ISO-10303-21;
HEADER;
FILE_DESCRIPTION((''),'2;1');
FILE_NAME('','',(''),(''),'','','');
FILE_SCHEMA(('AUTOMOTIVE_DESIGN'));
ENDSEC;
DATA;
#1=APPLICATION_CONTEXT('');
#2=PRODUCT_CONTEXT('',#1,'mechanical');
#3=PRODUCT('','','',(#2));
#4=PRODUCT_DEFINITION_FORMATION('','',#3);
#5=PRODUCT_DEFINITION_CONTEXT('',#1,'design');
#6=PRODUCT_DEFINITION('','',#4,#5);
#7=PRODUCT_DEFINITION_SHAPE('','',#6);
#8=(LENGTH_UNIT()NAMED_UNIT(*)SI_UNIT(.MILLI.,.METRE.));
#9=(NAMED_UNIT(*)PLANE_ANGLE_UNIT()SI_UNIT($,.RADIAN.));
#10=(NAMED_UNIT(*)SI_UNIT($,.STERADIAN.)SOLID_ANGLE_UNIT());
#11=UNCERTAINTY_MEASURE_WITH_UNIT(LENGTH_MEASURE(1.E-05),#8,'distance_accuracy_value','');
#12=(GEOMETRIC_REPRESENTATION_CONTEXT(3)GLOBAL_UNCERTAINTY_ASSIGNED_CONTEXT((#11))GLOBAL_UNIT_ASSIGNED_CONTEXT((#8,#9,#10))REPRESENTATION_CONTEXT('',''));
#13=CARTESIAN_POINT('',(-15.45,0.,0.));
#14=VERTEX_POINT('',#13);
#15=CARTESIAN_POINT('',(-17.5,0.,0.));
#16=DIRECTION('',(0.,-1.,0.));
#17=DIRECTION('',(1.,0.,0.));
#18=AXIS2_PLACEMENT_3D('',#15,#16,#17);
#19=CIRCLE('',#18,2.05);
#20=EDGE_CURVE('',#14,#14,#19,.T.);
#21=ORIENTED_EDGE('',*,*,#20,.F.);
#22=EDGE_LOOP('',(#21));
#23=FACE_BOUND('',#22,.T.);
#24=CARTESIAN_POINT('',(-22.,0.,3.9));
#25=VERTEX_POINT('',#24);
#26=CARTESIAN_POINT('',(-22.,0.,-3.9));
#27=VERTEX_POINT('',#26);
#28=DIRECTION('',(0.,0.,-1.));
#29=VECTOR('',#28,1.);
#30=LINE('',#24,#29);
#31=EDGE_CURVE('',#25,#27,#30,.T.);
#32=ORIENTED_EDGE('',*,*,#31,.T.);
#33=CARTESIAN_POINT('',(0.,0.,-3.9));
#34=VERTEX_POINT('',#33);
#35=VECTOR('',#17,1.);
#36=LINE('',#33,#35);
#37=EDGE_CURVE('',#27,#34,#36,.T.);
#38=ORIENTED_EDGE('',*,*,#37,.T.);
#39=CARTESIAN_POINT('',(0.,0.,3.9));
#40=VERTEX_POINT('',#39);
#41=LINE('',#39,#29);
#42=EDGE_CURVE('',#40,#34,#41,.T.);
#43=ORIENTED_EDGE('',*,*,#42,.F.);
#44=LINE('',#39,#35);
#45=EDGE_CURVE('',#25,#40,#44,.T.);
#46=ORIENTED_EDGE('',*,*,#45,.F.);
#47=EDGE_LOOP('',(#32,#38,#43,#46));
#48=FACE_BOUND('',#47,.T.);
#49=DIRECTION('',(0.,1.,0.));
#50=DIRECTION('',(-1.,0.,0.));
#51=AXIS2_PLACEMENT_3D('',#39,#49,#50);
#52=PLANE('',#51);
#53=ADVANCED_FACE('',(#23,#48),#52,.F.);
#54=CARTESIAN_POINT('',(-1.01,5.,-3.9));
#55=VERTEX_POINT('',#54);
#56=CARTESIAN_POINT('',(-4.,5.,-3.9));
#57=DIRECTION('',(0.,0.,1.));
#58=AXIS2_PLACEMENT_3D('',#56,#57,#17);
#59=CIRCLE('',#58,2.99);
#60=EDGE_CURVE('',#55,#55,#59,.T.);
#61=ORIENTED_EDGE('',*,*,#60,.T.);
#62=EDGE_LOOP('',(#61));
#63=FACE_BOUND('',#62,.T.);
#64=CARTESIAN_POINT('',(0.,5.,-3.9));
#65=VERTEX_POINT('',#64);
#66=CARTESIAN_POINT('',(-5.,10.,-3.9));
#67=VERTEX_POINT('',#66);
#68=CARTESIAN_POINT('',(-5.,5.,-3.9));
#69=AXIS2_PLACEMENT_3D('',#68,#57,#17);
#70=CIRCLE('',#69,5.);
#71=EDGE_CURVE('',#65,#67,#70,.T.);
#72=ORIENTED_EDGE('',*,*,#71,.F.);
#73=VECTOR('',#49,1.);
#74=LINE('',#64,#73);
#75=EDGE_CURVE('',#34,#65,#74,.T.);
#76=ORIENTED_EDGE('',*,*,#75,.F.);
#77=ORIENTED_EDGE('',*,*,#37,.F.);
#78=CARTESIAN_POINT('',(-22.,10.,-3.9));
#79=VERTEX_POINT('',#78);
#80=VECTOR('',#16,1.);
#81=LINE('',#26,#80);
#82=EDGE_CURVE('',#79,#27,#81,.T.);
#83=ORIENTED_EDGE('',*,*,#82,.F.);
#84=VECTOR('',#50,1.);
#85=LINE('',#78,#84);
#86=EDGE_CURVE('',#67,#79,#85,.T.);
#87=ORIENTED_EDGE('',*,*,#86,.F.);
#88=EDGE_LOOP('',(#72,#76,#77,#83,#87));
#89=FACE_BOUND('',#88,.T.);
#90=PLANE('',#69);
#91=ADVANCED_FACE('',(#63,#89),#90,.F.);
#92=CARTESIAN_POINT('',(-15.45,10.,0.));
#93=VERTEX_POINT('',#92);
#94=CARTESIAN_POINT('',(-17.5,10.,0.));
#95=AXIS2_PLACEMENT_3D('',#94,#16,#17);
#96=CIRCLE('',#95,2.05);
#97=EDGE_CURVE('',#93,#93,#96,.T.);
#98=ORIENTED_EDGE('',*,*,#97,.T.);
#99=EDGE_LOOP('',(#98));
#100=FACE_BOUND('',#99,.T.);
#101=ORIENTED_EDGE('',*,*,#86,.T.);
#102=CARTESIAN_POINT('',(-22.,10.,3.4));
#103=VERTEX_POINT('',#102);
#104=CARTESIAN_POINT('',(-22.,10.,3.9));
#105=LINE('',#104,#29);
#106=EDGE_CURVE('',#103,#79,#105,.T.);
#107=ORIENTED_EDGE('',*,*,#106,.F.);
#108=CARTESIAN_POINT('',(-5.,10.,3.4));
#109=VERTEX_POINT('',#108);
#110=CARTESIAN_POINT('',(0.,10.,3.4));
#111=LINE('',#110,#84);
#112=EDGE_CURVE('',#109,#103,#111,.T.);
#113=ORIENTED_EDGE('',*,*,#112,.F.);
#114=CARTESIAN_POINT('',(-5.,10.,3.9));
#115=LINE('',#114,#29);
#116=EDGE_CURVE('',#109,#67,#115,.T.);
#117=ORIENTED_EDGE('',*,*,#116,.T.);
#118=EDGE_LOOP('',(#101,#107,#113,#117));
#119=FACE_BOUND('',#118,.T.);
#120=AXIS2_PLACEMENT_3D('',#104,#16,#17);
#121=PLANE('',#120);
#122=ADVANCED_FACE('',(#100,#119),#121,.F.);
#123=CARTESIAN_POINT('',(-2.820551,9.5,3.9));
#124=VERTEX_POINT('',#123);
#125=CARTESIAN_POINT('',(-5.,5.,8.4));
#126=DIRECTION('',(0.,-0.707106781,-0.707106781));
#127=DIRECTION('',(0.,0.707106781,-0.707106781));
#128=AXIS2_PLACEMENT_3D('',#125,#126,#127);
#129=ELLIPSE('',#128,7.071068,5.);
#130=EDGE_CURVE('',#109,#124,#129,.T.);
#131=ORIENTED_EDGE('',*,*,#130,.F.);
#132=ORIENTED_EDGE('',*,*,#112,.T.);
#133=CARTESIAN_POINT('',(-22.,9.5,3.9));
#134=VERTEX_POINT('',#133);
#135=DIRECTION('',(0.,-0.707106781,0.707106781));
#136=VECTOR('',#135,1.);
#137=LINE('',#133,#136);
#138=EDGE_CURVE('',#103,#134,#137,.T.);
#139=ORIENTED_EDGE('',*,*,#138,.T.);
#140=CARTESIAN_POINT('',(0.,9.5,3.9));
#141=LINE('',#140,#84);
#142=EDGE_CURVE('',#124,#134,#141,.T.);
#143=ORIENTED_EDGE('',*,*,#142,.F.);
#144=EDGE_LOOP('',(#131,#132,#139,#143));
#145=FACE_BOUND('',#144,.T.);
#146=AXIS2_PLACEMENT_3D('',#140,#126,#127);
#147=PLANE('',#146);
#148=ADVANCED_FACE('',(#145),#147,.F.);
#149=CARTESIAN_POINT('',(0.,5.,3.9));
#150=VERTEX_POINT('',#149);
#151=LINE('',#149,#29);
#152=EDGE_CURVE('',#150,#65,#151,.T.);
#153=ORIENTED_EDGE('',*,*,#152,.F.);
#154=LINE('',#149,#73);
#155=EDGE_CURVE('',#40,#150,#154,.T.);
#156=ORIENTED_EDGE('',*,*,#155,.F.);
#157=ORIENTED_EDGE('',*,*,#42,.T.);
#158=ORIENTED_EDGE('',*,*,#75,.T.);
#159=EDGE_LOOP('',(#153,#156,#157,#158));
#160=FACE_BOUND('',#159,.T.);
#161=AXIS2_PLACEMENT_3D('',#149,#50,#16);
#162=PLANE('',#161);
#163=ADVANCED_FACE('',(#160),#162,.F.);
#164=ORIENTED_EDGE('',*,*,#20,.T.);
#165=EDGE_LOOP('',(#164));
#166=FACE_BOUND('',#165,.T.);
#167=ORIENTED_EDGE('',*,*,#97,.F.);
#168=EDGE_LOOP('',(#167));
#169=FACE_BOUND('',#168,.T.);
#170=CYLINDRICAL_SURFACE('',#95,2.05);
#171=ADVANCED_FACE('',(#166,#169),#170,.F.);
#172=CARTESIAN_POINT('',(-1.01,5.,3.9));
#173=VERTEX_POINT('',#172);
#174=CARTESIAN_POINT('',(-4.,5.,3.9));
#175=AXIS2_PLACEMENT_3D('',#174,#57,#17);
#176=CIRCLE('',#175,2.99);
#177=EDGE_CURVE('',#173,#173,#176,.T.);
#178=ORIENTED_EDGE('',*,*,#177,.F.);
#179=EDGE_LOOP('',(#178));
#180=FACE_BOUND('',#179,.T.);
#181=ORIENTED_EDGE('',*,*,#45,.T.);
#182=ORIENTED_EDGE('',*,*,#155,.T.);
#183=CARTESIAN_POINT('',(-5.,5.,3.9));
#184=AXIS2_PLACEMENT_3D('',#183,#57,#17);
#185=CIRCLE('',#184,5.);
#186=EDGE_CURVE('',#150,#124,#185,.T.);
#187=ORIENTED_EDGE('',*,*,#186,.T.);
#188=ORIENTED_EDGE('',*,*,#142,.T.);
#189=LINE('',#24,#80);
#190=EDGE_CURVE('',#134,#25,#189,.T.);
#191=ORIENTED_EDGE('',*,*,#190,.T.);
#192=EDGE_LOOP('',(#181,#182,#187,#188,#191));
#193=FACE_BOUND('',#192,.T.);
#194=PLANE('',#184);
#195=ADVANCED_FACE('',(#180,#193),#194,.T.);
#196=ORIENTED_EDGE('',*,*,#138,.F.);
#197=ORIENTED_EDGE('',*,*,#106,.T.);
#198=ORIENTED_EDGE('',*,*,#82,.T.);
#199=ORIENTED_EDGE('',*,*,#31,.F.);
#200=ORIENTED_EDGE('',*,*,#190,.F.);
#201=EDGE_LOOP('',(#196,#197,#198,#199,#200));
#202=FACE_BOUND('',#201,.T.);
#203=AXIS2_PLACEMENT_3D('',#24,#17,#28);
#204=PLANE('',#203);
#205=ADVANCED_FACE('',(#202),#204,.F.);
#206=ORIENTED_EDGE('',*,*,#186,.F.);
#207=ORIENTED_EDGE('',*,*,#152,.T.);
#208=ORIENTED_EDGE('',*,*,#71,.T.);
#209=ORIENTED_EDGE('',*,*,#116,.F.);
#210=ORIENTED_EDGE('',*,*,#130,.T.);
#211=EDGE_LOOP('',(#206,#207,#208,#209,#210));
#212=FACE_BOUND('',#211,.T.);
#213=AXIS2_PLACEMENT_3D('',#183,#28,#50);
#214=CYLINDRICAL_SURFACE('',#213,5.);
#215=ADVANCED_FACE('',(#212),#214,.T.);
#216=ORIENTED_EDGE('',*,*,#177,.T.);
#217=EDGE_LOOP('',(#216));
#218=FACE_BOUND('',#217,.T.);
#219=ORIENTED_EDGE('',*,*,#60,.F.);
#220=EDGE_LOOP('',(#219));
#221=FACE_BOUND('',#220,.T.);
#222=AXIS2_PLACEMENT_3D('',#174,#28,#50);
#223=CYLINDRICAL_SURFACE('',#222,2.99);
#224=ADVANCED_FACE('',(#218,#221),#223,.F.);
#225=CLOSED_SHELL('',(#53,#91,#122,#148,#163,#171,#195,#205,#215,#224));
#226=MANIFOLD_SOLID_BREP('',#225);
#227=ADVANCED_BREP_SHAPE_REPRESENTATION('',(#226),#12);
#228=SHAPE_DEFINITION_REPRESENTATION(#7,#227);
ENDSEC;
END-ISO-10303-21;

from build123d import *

# Parameters (mm, degrees)
ESQUISSE1_R             = 2.99
EXTRUSION1_DEPTH        = 3.9
ESQUISSE2_R             = 2.05
ENL_V_MAT_EXTRU_1_DEPTH = 11
ENL_V_MAT_EXTRU_2_DEPTH = 23


with BuildPart() as part:
    # Esquisse1 → Extrusion1 (new body, symmetric)
    with BuildSketch(Plane.XY):
        with BuildLine():
            Line((0, 0), (-22, 0))
            Line((-22, 0), (-22, 10))
            Line((-22, 10), (-5, 10))
            ThreePointArc((-5, 10), (-1.464466094, 8.535533906), (0, 5))
            Line((0, 5), (0, 0))
        make_face()
        with Locations((-4, 5)):
            Circle(ESQUISSE1_R, mode=Mode.SUBTRACT)
    extrude(amount=EXTRUSION1_DEPTH, both=True)

    # Esquisse2 → Enlèv. mat.-Extru.1 (cut, through all)
    with BuildSketch(Plane.XZ):
        with Locations((-17.5, 0)):
            Circle(ESQUISSE2_R)
    extrude(amount=-ENL_V_MAT_EXTRU_1_DEPTH, mode=Mode.SUBTRACT)

    # Esquisse3 → Enlèv. mat.-Extru.2 (cut, through all)
    with BuildSketch(Plane.ZY.offset(22)):
        Polygon((3.9, 10), (3.9, 9.5), (3.4, 10), align=None)
    extrude(amount=-ENL_V_MAT_EXTRU_2_DEPTH, mode=Mode.SUBTRACT)


solid = part.part
